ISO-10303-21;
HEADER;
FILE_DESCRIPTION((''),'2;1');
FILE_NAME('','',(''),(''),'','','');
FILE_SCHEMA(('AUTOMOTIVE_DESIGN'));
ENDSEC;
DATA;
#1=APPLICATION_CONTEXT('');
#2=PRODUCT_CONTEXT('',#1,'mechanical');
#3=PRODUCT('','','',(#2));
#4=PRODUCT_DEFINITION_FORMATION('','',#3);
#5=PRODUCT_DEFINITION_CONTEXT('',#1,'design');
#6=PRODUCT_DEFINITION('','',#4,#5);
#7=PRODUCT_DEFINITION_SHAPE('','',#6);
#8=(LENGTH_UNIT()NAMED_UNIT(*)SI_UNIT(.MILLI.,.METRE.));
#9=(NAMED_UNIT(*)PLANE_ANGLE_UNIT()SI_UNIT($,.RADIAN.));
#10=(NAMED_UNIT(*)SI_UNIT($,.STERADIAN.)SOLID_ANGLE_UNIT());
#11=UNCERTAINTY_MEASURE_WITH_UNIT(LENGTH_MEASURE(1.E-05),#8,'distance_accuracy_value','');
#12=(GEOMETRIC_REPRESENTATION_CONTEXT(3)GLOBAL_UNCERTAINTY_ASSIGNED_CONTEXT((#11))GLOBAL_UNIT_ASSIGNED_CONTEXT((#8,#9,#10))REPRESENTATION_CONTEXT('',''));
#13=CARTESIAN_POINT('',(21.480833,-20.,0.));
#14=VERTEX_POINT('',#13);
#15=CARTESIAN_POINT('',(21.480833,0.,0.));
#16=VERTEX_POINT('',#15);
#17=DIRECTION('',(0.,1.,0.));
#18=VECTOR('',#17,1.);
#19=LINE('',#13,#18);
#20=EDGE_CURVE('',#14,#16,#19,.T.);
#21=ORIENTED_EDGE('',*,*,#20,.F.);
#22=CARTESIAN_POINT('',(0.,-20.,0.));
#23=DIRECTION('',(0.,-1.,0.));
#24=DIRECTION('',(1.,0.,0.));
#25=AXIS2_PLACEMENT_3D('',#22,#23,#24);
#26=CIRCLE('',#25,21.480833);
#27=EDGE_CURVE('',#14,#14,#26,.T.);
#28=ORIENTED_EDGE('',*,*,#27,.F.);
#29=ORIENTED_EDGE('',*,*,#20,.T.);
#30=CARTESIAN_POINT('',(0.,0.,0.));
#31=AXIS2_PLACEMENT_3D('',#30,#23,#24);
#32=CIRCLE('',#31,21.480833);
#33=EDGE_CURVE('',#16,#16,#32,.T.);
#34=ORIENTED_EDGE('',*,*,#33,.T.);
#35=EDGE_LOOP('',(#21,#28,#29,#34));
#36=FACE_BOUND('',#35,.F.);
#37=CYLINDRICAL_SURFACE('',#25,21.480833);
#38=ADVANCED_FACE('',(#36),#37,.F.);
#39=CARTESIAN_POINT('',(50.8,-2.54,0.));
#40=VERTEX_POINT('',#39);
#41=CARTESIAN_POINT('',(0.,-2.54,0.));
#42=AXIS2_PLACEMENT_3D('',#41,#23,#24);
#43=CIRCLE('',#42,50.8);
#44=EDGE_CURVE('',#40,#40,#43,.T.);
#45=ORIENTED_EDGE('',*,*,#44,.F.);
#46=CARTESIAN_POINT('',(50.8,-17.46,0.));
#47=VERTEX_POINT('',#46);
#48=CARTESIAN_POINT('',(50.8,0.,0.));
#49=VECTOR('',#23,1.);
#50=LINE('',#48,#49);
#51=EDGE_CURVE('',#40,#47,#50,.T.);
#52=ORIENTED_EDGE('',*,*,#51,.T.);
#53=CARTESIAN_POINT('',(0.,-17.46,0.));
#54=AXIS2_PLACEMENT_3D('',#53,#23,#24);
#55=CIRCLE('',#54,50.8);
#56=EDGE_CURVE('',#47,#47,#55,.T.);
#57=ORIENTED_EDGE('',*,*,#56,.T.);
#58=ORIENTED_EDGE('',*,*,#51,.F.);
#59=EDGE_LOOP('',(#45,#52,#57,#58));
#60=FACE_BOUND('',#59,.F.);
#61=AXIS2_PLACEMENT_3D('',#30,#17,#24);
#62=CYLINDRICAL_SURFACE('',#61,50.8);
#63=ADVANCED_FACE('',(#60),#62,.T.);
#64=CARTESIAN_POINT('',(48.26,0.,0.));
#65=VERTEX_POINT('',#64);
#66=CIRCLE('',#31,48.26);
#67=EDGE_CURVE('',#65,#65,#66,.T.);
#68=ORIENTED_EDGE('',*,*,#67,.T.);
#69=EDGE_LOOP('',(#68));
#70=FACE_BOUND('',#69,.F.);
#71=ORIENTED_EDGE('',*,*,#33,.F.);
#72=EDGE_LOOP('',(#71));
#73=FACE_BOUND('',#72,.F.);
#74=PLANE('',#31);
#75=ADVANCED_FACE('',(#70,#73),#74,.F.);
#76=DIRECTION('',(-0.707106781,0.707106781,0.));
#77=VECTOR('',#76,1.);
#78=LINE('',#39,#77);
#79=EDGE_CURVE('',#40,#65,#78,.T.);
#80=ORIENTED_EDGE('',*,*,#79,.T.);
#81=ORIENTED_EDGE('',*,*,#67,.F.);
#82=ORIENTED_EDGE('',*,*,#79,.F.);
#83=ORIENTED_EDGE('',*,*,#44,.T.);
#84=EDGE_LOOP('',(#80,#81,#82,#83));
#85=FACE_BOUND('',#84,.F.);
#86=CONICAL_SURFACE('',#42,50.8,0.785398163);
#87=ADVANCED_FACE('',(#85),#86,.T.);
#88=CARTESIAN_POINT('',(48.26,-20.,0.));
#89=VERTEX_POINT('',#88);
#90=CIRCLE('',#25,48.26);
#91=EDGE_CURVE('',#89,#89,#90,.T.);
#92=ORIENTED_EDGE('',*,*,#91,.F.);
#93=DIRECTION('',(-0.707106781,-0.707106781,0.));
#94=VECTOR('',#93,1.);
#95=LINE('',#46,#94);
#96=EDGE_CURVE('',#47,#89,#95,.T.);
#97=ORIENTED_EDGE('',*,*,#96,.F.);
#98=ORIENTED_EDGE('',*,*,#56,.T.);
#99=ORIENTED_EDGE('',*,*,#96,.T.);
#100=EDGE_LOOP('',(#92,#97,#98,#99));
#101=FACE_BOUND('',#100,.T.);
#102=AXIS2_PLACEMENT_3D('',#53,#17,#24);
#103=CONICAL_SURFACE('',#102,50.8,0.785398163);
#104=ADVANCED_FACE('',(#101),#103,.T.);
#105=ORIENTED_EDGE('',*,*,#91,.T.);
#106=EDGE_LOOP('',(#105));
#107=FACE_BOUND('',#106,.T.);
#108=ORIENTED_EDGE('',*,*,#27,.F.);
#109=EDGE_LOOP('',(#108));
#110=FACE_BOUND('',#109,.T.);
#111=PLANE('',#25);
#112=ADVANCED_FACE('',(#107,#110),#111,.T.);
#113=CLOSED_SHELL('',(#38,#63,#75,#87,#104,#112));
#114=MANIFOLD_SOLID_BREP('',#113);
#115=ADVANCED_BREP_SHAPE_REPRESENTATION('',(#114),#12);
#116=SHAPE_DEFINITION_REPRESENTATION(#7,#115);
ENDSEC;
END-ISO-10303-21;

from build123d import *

# Parameters (mm, degrees)
F0_R     = 50.8
F1_DEPTH = 20
F3_SIZE  = 2.54
F2_R     = 21.480833
F4_DEPTH = 20


with BuildPart() as f1:
    # F0 (on Front) → F1 (new body)
    with BuildSketch(Plane.XZ):
        Circle(F0_R)
    extrude(amount=F1_DEPTH)

    # F3
    f3_edges = [f1.edges().sort_by_distance(p)[0] for p in [
        (-50.8, -20, 0),
        (-50.8, 0, 0),
    ]]
    chamfer(f3_edges, length=F3_SIZE)

    # F2 (on face) → F4 (cut, through all)
    with BuildSketch(Plane.XZ.offset(20)):
        Circle(F2_R)
    extrude(amount=-F4_DEPTH, mode=Mode.SUBTRACT)


solid = f1.part
